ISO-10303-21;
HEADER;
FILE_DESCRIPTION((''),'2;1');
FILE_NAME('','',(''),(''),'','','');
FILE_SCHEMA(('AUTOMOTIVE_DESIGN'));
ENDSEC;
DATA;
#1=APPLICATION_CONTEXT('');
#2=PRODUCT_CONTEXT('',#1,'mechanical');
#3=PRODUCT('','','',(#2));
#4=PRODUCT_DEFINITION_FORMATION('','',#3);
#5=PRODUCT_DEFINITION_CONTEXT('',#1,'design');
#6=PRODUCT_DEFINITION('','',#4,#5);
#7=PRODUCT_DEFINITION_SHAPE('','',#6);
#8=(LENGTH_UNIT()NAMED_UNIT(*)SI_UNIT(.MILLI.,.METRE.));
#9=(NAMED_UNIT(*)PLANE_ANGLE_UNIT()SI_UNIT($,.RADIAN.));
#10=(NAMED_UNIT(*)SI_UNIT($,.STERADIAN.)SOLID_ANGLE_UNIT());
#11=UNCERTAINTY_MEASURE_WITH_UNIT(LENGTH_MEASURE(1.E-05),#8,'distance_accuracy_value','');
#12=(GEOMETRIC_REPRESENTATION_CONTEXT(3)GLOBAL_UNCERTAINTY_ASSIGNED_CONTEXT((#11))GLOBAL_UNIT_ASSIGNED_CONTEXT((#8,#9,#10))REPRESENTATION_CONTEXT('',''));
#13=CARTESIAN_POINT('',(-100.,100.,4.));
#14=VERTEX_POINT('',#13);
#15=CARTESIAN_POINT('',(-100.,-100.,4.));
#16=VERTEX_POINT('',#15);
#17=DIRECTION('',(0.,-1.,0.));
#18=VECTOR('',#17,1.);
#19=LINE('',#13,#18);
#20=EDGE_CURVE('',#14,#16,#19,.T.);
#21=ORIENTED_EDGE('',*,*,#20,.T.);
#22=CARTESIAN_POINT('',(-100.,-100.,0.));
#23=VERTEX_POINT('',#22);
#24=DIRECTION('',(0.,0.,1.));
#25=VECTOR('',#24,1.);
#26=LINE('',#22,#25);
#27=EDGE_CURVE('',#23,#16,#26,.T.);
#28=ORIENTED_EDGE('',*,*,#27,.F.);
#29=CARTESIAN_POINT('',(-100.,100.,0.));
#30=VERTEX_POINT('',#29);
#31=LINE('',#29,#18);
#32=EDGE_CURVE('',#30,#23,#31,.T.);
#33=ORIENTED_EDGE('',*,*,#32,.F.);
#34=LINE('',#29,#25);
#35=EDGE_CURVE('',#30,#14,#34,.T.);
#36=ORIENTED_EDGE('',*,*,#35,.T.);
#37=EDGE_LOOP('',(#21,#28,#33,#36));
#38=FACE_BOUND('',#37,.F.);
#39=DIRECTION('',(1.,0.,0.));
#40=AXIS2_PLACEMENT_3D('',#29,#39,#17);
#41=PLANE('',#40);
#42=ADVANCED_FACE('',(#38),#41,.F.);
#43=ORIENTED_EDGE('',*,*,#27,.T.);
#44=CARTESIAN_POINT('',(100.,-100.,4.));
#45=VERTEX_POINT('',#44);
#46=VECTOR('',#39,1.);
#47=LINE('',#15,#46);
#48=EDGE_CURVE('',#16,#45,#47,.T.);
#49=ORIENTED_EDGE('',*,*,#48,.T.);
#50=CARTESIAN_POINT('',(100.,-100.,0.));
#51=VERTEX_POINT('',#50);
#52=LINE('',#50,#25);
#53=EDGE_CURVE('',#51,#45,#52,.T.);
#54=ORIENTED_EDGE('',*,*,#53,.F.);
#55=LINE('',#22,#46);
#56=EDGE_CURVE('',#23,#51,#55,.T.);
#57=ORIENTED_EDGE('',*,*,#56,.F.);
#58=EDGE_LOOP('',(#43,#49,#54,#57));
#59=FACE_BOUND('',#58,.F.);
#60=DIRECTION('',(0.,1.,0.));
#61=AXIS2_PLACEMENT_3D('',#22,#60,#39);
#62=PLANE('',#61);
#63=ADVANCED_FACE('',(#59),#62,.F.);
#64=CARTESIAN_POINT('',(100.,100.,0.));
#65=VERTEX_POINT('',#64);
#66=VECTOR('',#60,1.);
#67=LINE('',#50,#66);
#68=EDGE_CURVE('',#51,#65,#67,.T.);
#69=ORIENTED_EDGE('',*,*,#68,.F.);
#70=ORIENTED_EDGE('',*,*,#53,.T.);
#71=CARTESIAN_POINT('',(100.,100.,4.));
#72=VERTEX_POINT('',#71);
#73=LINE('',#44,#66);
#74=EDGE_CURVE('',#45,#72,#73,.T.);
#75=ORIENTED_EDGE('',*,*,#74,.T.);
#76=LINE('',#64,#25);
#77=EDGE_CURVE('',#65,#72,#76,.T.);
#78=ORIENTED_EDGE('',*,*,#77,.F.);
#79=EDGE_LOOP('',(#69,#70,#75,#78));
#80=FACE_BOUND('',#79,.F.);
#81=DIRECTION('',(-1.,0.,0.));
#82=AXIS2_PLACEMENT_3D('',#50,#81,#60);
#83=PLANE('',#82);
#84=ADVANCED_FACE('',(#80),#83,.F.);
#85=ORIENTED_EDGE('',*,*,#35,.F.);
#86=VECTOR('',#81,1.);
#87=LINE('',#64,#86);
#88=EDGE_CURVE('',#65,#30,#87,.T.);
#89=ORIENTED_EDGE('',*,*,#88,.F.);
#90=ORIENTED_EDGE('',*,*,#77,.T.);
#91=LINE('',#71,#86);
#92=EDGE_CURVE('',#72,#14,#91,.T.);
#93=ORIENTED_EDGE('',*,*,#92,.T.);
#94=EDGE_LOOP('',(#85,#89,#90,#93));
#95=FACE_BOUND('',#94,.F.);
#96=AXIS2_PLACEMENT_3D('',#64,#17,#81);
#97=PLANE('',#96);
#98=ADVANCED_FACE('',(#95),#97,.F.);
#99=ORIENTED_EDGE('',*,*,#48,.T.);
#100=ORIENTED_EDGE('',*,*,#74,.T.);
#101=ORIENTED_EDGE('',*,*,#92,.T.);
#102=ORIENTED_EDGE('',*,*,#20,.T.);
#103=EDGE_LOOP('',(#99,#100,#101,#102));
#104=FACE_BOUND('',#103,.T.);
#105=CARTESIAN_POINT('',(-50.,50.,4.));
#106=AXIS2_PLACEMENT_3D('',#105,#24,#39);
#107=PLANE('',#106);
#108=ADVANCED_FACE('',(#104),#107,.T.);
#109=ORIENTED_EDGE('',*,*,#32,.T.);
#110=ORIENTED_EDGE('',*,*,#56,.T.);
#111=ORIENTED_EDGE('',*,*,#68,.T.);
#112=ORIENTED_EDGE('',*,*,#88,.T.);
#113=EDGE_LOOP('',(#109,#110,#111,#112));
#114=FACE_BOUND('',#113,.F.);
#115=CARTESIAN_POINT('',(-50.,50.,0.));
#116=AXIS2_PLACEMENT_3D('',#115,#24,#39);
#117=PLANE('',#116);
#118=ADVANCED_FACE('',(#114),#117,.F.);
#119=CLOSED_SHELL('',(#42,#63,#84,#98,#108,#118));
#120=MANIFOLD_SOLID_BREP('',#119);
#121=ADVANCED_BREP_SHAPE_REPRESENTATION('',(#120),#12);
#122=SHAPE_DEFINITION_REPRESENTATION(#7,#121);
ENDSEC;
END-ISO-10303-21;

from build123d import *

# Parameters (mm, degrees)
SZKIC1_W                    = 100
SZKIC1_H                    = 100
DODANIE_WYCI_GNI_CIE1_DEPTH = 4


with BuildPart() as part:
    # Szkic1 → Dodanie-wyciągnięcie1 (new body)
    with BuildSketch(Plane.XY):
        with Locations((-50, 50)):
            Rectangle(SZKIC1_W, SZKIC1_H)
        with Locations((50, 50)):
            Rectangle(SZKIC1_W, SZKIC1_H)
        with Locations((50, -50)):
            Rectangle(SZKIC1_W, SZKIC1_H)
        with Locations((-50, -50)):
            Rectangle(SZKIC1_W, SZKIC1_H)
    extrude(amount=DODANIE_WYCI_GNI_CIE1_DEPTH)


solid = part.part
